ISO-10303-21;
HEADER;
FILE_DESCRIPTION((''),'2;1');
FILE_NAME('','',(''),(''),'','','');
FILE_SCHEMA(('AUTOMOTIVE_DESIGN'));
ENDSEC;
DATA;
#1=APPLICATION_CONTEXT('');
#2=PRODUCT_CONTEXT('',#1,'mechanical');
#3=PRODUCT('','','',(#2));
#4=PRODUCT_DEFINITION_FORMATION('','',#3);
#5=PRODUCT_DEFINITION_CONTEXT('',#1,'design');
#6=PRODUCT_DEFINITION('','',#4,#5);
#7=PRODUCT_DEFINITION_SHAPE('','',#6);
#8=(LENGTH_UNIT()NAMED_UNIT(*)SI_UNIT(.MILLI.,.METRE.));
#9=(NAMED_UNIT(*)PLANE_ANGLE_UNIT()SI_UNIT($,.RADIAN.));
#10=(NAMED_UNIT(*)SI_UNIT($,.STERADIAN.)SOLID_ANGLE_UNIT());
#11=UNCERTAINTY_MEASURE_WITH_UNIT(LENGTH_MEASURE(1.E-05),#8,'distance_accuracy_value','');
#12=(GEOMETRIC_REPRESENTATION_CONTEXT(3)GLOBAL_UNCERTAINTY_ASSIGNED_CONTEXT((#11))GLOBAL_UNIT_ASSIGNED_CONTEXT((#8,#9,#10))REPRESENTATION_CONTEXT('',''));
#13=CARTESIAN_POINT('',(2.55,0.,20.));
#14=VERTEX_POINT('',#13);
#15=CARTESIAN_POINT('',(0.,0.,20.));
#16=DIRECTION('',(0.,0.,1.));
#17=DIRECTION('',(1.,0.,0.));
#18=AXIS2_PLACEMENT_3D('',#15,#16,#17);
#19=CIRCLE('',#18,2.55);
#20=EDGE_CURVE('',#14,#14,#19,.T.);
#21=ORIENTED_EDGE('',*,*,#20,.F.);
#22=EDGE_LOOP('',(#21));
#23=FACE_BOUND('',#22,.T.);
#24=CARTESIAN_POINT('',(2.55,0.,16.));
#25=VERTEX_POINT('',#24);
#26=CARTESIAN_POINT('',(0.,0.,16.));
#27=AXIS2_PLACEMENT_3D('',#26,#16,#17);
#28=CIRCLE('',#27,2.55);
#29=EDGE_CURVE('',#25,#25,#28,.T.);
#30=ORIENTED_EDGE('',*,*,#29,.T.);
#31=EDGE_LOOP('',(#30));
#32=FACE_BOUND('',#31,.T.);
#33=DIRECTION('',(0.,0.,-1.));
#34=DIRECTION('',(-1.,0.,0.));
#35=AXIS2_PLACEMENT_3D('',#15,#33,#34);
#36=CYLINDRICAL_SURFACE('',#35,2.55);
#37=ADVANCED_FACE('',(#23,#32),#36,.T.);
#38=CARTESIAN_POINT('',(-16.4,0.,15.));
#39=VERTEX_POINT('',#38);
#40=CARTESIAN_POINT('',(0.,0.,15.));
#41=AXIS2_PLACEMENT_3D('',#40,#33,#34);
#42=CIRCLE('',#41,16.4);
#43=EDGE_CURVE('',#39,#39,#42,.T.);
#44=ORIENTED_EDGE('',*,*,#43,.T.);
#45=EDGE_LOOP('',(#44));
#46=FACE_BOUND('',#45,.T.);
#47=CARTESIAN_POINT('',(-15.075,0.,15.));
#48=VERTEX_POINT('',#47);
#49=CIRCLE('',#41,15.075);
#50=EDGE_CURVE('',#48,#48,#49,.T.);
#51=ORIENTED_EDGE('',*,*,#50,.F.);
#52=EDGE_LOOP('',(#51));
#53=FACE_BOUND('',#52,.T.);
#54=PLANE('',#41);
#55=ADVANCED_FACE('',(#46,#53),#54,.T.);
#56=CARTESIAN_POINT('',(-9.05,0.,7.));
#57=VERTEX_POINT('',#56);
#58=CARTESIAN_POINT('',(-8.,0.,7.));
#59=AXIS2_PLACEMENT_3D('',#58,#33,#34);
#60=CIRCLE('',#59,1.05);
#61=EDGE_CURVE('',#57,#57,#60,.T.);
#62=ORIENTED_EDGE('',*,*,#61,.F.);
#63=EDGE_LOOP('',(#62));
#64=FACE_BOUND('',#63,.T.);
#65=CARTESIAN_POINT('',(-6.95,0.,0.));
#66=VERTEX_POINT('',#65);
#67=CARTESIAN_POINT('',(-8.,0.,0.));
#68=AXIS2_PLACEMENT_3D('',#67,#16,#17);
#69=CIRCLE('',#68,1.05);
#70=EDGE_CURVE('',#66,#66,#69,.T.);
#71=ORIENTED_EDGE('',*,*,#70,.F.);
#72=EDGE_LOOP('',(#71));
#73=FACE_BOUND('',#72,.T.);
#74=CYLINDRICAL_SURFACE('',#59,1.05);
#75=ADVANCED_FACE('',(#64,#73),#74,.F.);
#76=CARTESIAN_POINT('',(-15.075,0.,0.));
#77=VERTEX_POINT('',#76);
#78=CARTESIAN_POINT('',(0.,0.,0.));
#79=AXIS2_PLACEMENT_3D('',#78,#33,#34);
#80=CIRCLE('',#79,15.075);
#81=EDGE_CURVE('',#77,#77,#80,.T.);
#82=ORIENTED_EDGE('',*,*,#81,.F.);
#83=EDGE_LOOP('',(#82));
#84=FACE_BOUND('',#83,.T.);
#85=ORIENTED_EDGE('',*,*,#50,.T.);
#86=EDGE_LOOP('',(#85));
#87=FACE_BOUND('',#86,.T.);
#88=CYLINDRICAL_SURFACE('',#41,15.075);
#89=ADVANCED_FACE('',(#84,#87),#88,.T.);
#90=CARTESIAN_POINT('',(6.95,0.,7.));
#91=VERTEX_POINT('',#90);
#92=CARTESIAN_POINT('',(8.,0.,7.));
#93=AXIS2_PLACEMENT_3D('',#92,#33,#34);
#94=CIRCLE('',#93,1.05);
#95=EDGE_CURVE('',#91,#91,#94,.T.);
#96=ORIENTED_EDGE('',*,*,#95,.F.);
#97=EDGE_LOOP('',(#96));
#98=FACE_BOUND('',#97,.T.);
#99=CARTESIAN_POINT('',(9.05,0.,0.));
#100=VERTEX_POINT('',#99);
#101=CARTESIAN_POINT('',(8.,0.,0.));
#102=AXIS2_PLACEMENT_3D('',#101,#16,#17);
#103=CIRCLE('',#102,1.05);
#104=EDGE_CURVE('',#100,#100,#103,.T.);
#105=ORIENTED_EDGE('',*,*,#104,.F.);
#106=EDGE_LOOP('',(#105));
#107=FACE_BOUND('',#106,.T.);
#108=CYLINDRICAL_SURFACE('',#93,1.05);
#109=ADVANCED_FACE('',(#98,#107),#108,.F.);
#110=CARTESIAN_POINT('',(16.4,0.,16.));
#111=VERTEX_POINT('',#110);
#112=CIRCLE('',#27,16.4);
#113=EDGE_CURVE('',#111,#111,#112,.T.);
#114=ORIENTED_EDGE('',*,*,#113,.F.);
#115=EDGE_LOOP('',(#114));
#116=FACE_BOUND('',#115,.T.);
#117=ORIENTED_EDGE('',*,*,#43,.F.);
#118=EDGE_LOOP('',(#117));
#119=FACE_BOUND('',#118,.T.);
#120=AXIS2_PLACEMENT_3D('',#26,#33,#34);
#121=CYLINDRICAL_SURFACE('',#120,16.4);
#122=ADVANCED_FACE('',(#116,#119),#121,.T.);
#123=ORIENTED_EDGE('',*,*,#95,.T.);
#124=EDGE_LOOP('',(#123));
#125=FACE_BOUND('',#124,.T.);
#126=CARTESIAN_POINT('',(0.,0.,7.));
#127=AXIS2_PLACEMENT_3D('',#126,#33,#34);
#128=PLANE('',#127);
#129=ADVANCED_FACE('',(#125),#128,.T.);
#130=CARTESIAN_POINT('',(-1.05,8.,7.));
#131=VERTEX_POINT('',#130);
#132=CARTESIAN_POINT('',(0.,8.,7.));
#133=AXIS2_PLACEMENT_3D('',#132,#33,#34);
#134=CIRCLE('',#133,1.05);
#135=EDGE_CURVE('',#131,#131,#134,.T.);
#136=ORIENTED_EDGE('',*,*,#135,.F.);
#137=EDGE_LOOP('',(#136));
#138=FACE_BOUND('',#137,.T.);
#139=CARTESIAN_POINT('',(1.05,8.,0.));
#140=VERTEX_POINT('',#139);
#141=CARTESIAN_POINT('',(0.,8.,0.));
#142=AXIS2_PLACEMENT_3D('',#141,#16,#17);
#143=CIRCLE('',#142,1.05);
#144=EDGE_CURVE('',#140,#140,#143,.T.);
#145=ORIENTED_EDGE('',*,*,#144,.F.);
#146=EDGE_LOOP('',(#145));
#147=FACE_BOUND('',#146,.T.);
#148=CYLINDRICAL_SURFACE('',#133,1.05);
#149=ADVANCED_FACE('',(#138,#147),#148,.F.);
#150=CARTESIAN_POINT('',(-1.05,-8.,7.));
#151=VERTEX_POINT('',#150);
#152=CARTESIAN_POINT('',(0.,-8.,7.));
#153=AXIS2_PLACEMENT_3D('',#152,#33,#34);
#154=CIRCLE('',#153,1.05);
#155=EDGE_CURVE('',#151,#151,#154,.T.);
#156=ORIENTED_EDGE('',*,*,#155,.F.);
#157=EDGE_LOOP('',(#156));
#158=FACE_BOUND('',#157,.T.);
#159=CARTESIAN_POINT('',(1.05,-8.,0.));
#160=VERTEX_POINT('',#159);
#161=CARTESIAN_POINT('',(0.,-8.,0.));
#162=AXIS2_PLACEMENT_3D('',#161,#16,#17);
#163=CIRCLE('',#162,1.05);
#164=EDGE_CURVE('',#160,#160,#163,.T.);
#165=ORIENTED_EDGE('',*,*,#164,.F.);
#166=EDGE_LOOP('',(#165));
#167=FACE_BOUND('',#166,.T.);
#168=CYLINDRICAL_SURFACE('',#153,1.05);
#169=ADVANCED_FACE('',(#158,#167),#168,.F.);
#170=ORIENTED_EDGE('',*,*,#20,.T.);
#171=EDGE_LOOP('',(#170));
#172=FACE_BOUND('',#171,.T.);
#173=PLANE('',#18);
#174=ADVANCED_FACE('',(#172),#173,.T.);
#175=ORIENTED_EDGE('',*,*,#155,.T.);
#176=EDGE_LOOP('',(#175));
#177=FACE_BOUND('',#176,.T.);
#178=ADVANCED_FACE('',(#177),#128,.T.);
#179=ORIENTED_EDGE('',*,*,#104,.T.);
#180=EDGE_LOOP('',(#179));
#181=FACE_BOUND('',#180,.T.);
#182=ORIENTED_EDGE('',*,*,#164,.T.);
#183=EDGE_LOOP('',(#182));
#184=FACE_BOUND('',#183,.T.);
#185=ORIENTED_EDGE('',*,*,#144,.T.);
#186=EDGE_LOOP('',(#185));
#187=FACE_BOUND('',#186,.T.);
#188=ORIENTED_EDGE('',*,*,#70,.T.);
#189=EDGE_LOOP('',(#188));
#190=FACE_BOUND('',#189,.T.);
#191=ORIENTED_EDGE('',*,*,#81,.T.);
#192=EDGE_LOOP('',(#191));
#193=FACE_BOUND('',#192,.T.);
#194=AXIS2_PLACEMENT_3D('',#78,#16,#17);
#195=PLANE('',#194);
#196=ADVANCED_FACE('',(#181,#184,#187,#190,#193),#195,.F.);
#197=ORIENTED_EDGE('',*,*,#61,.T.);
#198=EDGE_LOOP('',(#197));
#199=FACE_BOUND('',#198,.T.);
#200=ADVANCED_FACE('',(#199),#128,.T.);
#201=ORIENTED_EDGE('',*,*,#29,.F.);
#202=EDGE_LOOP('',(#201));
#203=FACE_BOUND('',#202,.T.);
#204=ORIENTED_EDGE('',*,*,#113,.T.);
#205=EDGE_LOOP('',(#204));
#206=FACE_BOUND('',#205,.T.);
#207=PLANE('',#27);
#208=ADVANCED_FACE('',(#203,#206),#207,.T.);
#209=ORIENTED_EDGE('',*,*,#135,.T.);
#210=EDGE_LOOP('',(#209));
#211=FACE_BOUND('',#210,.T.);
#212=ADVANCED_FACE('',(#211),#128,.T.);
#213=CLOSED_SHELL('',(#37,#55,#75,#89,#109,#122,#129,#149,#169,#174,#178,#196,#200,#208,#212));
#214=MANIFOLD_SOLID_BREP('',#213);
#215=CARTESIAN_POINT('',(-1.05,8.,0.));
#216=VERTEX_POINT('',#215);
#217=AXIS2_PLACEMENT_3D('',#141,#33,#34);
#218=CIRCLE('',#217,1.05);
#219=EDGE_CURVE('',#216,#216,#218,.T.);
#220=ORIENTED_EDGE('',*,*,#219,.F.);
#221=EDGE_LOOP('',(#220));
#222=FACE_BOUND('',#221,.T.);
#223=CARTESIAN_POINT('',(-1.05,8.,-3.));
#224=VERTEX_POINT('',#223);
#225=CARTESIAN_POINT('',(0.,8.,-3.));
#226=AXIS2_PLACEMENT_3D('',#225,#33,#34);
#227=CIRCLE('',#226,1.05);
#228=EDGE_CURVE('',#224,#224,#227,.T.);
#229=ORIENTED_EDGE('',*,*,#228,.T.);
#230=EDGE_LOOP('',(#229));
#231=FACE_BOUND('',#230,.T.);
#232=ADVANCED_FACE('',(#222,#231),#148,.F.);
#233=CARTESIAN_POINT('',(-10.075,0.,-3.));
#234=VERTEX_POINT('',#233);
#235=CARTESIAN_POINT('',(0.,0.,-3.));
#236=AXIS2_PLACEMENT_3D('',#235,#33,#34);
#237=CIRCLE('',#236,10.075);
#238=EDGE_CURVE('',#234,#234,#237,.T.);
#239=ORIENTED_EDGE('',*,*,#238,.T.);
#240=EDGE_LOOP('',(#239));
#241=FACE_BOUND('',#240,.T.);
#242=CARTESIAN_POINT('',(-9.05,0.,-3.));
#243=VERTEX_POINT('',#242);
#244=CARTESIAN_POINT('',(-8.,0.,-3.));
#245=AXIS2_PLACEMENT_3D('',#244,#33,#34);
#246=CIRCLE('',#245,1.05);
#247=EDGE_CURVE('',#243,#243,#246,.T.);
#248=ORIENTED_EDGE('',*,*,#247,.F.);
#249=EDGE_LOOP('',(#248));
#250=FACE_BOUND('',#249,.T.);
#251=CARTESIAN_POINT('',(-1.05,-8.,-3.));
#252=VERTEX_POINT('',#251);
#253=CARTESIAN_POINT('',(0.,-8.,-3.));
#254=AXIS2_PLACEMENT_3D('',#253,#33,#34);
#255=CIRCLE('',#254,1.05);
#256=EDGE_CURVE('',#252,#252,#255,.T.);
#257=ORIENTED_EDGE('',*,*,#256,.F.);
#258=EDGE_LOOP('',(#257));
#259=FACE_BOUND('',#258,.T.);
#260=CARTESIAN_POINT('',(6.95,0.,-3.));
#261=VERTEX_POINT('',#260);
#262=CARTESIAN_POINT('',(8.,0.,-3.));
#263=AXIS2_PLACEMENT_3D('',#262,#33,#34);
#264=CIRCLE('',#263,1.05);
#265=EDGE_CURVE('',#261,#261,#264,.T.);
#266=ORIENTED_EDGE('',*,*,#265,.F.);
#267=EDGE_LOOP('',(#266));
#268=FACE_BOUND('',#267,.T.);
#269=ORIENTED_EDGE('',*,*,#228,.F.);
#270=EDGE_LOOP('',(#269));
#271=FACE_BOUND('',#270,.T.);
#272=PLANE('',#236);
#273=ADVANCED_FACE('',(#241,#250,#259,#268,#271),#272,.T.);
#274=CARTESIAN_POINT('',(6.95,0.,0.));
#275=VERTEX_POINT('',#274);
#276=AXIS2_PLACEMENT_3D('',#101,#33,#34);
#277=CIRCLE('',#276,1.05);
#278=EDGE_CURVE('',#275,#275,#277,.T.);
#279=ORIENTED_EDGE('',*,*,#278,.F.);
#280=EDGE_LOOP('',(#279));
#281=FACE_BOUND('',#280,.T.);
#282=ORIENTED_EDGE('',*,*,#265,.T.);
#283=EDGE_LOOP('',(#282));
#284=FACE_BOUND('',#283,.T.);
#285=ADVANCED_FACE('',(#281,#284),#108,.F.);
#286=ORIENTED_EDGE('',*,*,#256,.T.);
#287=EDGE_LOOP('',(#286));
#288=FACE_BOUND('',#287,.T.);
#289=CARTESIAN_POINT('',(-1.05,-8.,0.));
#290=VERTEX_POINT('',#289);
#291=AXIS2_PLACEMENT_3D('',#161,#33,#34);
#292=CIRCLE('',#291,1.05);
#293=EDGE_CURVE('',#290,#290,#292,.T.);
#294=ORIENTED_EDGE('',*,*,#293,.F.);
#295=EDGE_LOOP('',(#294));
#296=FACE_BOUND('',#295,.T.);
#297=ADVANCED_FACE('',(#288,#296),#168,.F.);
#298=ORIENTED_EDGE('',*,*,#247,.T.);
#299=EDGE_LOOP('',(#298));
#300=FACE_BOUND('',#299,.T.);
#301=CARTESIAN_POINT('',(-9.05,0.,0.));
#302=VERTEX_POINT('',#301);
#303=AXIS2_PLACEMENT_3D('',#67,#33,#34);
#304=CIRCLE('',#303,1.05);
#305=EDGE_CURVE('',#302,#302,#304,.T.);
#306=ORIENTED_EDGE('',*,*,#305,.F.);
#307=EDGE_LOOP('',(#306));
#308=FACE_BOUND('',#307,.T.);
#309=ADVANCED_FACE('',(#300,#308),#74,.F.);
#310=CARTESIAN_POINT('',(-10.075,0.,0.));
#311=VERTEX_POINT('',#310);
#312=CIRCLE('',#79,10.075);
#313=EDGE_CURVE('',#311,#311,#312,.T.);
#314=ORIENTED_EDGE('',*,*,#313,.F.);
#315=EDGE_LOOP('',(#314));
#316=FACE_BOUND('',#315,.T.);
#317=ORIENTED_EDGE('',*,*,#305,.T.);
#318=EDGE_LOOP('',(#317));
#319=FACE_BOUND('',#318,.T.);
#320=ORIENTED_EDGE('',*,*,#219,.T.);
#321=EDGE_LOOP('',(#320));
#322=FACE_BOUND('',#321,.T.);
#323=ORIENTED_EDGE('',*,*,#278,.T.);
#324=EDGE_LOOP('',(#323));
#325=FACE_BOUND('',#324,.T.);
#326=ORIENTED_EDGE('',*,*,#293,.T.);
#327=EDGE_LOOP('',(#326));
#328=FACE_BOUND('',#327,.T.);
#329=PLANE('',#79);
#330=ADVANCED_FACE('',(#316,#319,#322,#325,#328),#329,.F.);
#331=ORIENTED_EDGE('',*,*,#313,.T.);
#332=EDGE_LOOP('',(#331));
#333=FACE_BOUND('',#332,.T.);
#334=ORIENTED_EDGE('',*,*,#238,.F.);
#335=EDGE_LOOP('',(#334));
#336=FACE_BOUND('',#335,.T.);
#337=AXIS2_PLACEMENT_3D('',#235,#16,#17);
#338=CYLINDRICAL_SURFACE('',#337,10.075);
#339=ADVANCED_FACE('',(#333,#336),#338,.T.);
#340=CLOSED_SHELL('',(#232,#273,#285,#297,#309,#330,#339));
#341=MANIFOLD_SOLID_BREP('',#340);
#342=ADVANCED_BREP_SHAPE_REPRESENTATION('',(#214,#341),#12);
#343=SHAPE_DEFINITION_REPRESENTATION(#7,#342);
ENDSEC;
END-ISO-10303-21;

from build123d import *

# Parameters (mm, degrees)
SKETCH_1_R          = 16.4
EXTRUDE_1_DEPTH     = 16
SKETCH_2_R          = 2.55
EXTRUDE_2_DEPTH     = 4
SKETCH_3_R          = 10.075
EXTRUDE_3_DEPTH     = 3
SKETCH_5_R          = 16.4
SKETCH_5_R_2        = 15.075
CUT_EXTRUDE_2_DEPTH = 15
SKETCH_7_R          = 1.05
CUT_EXTRUDE_3_DEPTH = 10


with BuildPart() as part:
    # 草图1 → 凸台-拉伸1 (new body)
    with BuildSketch(Plane.XY):
        Circle(SKETCH_1_R)
    extrude(amount=EXTRUDE_1_DEPTH)

    # 草图2 → 凸台-拉伸2 (add)
    with BuildSketch(Plane.XY.offset(16)):
        Circle(SKETCH_2_R)
    extrude(amount=EXTRUDE_2_DEPTH)

    # 草图5 → 切除-拉伸2 (cut)
    with BuildSketch(Plane(origin=(0, 0, 0), x_dir=(-1, 0, 0), z_dir=(0, 0, -1))):
        Circle(SKETCH_5_R)
        Circle(SKETCH_5_R_2, mode=Mode.SUBTRACT)
    extrude(amount=-CUT_EXTRUDE_2_DEPTH, mode=Mode.SUBTRACT)


with BuildPart() as body_2:
    # 草图3 → 凸台-拉伸3 (new body)
    with BuildSketch(Plane(origin=(0, 0, 0), x_dir=(-1, 0, 0), z_dir=(0, 0, -1))):
        Circle(SKETCH_3_R)
    extrude(amount=EXTRUDE_3_DEPTH)


with BuildPart() as cut_extrude_3_tool:
    # 草图7 → 切除-拉伸3 (new body)
    with BuildSketch(Plane(origin=(0, 0, -3), x_dir=(-1, 0, 0), z_dir=(0, 0, -1))):
        with Locations((0, 8)):
            Circle(SKETCH_7_R)
        with Locations((8, 0)):
            Circle(SKETCH_7_R)
        with Locations((0, -8)):
            Circle(SKETCH_7_R)
        with Locations((-8, 0)):
            Circle(SKETCH_7_R)
    extrude(amount=-CUT_EXTRUDE_3_DEPTH)


with BuildPart() as part_1:
    add(part.part)

    # 切除-拉伸3: cut by cut_extrude_3_tool
    add(cut_extrude_3_tool.part, mode=Mode.SUBTRACT)


with BuildPart() as body_2_1:
    add(body_2.part)

    # 切除-拉伸3: cut by cut_extrude_3_tool
    add(cut_extrude_3_tool.part, mode=Mode.SUBTRACT)


solid = Compound([part_1.part, body_2_1.part])
